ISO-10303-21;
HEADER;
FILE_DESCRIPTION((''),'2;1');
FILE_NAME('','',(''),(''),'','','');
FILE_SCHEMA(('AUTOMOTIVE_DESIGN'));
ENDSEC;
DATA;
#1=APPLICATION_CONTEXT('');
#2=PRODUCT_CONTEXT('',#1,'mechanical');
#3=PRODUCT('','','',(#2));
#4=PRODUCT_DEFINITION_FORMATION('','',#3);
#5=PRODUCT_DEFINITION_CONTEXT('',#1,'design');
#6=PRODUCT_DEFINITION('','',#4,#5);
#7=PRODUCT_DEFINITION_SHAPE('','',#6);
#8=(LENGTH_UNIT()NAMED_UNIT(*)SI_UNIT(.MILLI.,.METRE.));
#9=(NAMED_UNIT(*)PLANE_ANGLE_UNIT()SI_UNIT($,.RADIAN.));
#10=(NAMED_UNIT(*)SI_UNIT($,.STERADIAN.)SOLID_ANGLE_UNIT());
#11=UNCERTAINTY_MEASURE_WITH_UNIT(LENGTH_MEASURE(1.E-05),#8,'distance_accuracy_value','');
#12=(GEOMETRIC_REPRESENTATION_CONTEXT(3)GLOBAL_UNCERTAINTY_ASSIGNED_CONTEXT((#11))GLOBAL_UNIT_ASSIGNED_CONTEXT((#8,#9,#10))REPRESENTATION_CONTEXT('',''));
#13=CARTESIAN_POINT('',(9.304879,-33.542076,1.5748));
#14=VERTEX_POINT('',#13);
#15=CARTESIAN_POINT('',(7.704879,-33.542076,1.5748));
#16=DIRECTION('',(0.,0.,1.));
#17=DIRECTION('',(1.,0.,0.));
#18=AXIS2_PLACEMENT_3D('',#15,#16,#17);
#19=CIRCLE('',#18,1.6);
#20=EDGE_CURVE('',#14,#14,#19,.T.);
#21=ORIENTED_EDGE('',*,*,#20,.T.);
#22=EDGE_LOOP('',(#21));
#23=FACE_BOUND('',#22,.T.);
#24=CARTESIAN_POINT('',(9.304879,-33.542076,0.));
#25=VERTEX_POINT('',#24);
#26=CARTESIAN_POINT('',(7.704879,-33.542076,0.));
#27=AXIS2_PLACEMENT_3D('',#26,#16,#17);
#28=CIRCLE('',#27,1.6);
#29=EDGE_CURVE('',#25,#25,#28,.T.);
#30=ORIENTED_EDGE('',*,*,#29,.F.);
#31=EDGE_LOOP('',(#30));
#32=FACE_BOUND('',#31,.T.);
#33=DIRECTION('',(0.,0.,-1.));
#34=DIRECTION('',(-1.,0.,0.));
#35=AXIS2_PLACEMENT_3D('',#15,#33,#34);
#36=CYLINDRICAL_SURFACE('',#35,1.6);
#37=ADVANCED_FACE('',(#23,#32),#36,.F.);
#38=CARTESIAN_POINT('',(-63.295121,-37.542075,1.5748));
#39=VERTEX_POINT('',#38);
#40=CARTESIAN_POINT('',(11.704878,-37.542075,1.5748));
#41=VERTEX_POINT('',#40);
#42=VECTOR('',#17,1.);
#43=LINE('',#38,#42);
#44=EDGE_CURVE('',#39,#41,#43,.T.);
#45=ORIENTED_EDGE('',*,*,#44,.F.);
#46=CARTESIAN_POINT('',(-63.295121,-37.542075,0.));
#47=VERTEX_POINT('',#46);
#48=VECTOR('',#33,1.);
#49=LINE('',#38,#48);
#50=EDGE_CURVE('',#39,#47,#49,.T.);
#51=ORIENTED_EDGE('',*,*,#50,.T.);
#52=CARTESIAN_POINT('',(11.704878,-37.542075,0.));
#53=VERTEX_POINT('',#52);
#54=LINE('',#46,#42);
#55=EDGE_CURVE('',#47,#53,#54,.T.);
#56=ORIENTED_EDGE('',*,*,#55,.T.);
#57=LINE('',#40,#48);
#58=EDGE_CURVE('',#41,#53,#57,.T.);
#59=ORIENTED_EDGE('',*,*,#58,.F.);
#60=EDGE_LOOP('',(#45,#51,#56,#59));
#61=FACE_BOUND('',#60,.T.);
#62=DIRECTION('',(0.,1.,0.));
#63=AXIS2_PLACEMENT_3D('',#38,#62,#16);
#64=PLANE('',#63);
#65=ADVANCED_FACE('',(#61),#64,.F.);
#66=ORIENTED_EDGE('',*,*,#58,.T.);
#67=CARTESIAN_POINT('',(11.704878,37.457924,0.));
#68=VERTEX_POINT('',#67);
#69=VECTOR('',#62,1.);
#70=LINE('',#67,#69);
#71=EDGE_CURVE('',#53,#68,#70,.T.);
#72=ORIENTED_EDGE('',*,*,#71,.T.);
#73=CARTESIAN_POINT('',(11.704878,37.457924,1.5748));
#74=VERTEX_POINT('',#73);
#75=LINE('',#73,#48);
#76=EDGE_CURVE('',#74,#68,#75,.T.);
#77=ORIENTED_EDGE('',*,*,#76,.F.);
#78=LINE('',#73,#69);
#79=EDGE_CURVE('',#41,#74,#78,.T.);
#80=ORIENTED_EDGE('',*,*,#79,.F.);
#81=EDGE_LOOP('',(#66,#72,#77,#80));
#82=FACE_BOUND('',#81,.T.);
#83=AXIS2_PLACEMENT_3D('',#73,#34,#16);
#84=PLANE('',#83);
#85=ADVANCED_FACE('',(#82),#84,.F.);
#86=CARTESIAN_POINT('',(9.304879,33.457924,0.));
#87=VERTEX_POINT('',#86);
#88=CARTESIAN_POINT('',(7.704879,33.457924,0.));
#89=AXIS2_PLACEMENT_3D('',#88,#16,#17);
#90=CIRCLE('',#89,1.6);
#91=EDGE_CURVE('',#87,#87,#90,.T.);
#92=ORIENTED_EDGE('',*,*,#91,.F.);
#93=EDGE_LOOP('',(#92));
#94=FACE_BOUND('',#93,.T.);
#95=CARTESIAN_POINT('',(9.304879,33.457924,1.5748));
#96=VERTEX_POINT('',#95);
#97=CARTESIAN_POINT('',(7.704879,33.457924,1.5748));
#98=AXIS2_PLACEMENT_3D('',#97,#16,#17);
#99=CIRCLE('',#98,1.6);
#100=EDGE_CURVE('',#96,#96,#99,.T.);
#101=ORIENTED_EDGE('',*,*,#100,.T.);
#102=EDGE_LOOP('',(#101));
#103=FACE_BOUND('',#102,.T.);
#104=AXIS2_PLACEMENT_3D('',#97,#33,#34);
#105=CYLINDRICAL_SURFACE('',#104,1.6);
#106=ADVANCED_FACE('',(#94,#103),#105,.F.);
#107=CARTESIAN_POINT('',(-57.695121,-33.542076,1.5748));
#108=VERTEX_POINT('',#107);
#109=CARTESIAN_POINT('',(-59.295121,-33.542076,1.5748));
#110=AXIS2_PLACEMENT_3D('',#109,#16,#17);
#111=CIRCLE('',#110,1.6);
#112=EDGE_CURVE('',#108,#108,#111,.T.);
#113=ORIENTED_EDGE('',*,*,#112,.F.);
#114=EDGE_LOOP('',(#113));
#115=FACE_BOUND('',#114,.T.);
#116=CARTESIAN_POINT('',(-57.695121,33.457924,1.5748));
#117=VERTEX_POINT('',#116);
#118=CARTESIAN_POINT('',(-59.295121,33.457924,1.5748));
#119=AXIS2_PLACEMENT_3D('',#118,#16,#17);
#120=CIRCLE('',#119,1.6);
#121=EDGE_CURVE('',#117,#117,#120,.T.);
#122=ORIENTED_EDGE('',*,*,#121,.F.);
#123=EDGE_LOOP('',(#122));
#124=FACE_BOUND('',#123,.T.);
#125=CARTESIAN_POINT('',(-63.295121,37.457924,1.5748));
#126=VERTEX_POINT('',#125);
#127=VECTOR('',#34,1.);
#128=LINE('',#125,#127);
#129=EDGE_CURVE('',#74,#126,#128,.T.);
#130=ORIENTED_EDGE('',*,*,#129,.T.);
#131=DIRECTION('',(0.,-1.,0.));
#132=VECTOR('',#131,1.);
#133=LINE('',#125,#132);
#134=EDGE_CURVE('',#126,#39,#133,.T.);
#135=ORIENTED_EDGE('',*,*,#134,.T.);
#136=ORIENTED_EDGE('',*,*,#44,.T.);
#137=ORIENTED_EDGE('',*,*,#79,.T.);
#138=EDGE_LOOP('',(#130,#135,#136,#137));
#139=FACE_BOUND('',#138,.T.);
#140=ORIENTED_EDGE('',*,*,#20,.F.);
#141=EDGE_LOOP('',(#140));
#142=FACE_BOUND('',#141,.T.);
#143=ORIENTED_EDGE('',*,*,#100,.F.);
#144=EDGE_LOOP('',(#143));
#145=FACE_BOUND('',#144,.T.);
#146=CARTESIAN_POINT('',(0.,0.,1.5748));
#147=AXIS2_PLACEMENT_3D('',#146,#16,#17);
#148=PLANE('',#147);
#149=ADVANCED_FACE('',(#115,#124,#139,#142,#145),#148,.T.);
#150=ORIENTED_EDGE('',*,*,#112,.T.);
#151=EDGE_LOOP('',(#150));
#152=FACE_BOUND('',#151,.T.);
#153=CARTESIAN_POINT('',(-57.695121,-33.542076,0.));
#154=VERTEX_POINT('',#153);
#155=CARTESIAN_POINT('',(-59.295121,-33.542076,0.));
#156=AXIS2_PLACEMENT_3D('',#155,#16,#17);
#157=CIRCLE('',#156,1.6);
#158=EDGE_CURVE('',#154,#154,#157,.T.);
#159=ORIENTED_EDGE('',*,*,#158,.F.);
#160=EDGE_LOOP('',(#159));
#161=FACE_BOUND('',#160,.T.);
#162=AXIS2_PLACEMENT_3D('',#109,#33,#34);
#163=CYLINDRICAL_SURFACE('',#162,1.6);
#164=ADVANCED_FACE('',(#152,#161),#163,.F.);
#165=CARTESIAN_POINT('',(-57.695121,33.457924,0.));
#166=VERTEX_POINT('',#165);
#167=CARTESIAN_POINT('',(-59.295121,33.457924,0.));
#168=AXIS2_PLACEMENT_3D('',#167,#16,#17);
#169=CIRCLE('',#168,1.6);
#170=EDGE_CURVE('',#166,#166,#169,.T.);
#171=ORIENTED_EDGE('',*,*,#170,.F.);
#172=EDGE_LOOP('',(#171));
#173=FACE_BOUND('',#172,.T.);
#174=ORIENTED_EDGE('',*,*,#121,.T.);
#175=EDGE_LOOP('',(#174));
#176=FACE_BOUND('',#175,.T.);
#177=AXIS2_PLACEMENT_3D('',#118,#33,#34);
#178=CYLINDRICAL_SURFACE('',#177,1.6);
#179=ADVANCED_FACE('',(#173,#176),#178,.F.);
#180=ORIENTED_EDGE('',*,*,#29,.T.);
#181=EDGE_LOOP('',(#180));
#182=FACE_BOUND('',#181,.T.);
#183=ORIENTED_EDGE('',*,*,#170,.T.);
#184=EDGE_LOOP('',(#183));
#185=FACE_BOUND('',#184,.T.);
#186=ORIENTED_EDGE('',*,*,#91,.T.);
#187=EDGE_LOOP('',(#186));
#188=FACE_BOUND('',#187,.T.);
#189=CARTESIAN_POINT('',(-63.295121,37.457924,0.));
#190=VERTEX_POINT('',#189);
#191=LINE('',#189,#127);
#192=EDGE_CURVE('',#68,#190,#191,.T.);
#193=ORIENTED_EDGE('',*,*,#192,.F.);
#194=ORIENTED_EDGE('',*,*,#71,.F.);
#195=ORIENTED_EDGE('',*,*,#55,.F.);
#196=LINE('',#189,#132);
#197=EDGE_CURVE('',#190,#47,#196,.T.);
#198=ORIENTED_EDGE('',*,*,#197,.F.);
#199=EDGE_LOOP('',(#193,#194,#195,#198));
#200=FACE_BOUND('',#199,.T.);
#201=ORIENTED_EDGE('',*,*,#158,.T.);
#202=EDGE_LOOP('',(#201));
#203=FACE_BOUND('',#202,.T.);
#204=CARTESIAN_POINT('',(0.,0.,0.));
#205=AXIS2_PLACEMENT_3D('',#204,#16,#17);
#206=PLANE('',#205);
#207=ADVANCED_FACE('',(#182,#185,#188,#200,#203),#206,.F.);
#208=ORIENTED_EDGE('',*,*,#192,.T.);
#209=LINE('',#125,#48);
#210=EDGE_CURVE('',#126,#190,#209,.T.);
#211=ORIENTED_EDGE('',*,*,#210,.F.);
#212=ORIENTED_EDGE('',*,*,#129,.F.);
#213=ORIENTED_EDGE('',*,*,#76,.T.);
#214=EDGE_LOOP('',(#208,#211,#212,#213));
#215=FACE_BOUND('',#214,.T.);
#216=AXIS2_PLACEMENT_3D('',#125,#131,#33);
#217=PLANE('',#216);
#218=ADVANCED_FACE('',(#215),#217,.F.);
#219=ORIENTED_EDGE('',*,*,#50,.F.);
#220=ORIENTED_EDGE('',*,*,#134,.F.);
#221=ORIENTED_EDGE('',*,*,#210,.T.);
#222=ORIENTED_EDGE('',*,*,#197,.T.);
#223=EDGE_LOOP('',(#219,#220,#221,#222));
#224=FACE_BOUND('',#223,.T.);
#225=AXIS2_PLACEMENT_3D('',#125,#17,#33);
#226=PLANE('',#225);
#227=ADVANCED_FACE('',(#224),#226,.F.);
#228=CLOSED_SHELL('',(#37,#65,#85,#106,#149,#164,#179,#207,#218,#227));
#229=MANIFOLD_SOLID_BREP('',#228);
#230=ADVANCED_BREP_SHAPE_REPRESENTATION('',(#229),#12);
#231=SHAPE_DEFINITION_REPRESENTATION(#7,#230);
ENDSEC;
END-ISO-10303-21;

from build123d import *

# Parameters (mm, degrees)
SKETCH2_W           = 74.999999255
SKETCH2_H           = 74.999999255
SKETCH2_R           = 1.6
BOSS_EXTRUDE1_DEPTH = 1.5748


with BuildPart() as part:
    # Sketch2 → Boss-Extrude1 (new body)
    with BuildSketch(Plane.XY):
        with Locations((-25.795121523, -0.042075674)):
            Rectangle(SKETCH2_W, SKETCH2_H)
        with Locations((-59.295121471, 33.457923878)):
            Circle(SKETCH2_R, mode=Mode.SUBTRACT)
        with Locations((7.704878529, 33.457923878)):
            Circle(SKETCH2_R, mode=Mode.SUBTRACT)
        with Locations((-59.295121471, -33.542076122)):
            Circle(SKETCH2_R, mode=Mode.SUBTRACT)
        with Locations((7.704878529, -33.542076122)):
            Circle(SKETCH2_R, mode=Mode.SUBTRACT)
    extrude(amount=BOSS_EXTRUDE1_DEPTH)


solid = part.part
